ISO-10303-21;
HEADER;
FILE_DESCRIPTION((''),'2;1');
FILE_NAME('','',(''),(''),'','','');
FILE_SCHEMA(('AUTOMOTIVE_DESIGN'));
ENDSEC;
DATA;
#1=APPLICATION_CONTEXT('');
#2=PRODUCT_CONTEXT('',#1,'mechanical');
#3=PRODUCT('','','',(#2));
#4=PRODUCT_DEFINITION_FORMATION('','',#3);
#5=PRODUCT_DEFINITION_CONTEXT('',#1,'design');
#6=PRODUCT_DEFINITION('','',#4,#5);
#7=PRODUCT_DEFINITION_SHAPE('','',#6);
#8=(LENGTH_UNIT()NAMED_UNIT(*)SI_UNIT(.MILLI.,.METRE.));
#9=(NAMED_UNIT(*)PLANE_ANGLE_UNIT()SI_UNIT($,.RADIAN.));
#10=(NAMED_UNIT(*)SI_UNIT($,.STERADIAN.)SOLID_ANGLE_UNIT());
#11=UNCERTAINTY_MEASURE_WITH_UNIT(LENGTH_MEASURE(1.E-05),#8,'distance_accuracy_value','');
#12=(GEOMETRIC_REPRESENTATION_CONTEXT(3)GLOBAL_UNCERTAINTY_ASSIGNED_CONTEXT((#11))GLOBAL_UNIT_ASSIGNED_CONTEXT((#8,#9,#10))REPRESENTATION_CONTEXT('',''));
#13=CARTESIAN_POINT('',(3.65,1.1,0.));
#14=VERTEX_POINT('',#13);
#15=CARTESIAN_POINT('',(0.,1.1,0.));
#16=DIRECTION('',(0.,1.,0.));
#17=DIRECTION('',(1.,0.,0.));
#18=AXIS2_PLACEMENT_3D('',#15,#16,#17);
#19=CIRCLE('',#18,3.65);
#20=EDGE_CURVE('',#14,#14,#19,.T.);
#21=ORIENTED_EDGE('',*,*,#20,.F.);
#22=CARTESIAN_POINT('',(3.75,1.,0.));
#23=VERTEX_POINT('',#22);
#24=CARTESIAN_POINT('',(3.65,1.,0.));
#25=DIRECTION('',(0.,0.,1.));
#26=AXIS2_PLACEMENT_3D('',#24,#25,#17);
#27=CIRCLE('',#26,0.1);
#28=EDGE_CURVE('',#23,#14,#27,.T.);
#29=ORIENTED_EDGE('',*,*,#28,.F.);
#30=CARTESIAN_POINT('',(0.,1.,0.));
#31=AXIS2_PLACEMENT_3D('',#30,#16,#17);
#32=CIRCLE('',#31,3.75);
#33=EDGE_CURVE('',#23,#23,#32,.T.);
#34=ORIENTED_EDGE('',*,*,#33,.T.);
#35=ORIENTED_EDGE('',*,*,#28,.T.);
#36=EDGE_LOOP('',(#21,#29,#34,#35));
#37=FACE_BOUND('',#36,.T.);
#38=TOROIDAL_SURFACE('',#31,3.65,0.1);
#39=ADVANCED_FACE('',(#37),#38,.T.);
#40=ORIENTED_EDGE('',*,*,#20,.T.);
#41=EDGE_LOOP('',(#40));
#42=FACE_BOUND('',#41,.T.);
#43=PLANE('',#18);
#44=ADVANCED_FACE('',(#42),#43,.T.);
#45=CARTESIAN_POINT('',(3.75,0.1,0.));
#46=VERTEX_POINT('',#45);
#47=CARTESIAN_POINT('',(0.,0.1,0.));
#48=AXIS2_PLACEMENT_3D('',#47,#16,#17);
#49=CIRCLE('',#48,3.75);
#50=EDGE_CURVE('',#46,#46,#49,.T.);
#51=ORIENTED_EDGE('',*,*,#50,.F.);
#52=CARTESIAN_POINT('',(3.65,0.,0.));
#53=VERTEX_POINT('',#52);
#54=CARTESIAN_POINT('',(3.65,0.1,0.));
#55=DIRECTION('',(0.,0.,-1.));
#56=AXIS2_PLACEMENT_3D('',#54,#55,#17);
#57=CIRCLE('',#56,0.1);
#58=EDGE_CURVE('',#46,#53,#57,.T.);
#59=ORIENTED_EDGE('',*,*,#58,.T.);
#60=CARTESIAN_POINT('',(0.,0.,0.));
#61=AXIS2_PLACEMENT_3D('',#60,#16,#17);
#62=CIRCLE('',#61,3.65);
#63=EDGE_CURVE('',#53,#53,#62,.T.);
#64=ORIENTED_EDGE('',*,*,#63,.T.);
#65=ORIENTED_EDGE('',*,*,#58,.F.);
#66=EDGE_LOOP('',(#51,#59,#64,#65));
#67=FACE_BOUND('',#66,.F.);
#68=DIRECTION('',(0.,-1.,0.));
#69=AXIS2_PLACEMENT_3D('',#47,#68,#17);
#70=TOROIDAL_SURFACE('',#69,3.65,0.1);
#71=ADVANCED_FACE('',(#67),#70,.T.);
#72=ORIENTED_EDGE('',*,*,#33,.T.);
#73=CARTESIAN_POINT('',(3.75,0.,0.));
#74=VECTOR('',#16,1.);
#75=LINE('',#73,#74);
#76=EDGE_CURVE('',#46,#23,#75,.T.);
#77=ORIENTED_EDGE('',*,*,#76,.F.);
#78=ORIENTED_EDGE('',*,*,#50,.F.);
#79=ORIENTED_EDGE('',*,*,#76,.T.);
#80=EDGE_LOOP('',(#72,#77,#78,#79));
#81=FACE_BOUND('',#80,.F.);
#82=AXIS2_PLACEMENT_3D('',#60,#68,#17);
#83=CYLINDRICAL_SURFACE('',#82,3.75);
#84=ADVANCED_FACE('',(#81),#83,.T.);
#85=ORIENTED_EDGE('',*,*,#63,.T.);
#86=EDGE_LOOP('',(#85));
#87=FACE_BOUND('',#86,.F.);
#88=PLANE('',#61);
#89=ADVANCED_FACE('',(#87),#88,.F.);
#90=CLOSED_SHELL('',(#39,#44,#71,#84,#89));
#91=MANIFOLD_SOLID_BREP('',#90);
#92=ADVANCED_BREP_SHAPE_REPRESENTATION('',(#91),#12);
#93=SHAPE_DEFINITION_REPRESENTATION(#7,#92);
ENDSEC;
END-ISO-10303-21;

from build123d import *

# Parameters (mm, degrees)
PROFILE_R           = 3.75
CAP_DEPTH           = 1.1
PRODUCTION_FILLET_R = 0.1


with BuildPart() as part:
    # Profile → Cap (new body)
    with BuildSketch(Plane(origin=(0, 0, 0), x_dir=(1, 0, 0), z_dir=(0, 1, 0))):
        Circle(PROFILE_R)
    extrude(amount=CAP_DEPTH)

    # Production Fillet
    production_fillet_edges = [part.edges().sort_by_distance(p)[0] for p in [
        (-3.75, 0, 0),
        (-3.75, 1.1, 0),
    ]]
    fillet(production_fillet_edges, radius=PRODUCTION_FILLET_R)


solid = part.part
